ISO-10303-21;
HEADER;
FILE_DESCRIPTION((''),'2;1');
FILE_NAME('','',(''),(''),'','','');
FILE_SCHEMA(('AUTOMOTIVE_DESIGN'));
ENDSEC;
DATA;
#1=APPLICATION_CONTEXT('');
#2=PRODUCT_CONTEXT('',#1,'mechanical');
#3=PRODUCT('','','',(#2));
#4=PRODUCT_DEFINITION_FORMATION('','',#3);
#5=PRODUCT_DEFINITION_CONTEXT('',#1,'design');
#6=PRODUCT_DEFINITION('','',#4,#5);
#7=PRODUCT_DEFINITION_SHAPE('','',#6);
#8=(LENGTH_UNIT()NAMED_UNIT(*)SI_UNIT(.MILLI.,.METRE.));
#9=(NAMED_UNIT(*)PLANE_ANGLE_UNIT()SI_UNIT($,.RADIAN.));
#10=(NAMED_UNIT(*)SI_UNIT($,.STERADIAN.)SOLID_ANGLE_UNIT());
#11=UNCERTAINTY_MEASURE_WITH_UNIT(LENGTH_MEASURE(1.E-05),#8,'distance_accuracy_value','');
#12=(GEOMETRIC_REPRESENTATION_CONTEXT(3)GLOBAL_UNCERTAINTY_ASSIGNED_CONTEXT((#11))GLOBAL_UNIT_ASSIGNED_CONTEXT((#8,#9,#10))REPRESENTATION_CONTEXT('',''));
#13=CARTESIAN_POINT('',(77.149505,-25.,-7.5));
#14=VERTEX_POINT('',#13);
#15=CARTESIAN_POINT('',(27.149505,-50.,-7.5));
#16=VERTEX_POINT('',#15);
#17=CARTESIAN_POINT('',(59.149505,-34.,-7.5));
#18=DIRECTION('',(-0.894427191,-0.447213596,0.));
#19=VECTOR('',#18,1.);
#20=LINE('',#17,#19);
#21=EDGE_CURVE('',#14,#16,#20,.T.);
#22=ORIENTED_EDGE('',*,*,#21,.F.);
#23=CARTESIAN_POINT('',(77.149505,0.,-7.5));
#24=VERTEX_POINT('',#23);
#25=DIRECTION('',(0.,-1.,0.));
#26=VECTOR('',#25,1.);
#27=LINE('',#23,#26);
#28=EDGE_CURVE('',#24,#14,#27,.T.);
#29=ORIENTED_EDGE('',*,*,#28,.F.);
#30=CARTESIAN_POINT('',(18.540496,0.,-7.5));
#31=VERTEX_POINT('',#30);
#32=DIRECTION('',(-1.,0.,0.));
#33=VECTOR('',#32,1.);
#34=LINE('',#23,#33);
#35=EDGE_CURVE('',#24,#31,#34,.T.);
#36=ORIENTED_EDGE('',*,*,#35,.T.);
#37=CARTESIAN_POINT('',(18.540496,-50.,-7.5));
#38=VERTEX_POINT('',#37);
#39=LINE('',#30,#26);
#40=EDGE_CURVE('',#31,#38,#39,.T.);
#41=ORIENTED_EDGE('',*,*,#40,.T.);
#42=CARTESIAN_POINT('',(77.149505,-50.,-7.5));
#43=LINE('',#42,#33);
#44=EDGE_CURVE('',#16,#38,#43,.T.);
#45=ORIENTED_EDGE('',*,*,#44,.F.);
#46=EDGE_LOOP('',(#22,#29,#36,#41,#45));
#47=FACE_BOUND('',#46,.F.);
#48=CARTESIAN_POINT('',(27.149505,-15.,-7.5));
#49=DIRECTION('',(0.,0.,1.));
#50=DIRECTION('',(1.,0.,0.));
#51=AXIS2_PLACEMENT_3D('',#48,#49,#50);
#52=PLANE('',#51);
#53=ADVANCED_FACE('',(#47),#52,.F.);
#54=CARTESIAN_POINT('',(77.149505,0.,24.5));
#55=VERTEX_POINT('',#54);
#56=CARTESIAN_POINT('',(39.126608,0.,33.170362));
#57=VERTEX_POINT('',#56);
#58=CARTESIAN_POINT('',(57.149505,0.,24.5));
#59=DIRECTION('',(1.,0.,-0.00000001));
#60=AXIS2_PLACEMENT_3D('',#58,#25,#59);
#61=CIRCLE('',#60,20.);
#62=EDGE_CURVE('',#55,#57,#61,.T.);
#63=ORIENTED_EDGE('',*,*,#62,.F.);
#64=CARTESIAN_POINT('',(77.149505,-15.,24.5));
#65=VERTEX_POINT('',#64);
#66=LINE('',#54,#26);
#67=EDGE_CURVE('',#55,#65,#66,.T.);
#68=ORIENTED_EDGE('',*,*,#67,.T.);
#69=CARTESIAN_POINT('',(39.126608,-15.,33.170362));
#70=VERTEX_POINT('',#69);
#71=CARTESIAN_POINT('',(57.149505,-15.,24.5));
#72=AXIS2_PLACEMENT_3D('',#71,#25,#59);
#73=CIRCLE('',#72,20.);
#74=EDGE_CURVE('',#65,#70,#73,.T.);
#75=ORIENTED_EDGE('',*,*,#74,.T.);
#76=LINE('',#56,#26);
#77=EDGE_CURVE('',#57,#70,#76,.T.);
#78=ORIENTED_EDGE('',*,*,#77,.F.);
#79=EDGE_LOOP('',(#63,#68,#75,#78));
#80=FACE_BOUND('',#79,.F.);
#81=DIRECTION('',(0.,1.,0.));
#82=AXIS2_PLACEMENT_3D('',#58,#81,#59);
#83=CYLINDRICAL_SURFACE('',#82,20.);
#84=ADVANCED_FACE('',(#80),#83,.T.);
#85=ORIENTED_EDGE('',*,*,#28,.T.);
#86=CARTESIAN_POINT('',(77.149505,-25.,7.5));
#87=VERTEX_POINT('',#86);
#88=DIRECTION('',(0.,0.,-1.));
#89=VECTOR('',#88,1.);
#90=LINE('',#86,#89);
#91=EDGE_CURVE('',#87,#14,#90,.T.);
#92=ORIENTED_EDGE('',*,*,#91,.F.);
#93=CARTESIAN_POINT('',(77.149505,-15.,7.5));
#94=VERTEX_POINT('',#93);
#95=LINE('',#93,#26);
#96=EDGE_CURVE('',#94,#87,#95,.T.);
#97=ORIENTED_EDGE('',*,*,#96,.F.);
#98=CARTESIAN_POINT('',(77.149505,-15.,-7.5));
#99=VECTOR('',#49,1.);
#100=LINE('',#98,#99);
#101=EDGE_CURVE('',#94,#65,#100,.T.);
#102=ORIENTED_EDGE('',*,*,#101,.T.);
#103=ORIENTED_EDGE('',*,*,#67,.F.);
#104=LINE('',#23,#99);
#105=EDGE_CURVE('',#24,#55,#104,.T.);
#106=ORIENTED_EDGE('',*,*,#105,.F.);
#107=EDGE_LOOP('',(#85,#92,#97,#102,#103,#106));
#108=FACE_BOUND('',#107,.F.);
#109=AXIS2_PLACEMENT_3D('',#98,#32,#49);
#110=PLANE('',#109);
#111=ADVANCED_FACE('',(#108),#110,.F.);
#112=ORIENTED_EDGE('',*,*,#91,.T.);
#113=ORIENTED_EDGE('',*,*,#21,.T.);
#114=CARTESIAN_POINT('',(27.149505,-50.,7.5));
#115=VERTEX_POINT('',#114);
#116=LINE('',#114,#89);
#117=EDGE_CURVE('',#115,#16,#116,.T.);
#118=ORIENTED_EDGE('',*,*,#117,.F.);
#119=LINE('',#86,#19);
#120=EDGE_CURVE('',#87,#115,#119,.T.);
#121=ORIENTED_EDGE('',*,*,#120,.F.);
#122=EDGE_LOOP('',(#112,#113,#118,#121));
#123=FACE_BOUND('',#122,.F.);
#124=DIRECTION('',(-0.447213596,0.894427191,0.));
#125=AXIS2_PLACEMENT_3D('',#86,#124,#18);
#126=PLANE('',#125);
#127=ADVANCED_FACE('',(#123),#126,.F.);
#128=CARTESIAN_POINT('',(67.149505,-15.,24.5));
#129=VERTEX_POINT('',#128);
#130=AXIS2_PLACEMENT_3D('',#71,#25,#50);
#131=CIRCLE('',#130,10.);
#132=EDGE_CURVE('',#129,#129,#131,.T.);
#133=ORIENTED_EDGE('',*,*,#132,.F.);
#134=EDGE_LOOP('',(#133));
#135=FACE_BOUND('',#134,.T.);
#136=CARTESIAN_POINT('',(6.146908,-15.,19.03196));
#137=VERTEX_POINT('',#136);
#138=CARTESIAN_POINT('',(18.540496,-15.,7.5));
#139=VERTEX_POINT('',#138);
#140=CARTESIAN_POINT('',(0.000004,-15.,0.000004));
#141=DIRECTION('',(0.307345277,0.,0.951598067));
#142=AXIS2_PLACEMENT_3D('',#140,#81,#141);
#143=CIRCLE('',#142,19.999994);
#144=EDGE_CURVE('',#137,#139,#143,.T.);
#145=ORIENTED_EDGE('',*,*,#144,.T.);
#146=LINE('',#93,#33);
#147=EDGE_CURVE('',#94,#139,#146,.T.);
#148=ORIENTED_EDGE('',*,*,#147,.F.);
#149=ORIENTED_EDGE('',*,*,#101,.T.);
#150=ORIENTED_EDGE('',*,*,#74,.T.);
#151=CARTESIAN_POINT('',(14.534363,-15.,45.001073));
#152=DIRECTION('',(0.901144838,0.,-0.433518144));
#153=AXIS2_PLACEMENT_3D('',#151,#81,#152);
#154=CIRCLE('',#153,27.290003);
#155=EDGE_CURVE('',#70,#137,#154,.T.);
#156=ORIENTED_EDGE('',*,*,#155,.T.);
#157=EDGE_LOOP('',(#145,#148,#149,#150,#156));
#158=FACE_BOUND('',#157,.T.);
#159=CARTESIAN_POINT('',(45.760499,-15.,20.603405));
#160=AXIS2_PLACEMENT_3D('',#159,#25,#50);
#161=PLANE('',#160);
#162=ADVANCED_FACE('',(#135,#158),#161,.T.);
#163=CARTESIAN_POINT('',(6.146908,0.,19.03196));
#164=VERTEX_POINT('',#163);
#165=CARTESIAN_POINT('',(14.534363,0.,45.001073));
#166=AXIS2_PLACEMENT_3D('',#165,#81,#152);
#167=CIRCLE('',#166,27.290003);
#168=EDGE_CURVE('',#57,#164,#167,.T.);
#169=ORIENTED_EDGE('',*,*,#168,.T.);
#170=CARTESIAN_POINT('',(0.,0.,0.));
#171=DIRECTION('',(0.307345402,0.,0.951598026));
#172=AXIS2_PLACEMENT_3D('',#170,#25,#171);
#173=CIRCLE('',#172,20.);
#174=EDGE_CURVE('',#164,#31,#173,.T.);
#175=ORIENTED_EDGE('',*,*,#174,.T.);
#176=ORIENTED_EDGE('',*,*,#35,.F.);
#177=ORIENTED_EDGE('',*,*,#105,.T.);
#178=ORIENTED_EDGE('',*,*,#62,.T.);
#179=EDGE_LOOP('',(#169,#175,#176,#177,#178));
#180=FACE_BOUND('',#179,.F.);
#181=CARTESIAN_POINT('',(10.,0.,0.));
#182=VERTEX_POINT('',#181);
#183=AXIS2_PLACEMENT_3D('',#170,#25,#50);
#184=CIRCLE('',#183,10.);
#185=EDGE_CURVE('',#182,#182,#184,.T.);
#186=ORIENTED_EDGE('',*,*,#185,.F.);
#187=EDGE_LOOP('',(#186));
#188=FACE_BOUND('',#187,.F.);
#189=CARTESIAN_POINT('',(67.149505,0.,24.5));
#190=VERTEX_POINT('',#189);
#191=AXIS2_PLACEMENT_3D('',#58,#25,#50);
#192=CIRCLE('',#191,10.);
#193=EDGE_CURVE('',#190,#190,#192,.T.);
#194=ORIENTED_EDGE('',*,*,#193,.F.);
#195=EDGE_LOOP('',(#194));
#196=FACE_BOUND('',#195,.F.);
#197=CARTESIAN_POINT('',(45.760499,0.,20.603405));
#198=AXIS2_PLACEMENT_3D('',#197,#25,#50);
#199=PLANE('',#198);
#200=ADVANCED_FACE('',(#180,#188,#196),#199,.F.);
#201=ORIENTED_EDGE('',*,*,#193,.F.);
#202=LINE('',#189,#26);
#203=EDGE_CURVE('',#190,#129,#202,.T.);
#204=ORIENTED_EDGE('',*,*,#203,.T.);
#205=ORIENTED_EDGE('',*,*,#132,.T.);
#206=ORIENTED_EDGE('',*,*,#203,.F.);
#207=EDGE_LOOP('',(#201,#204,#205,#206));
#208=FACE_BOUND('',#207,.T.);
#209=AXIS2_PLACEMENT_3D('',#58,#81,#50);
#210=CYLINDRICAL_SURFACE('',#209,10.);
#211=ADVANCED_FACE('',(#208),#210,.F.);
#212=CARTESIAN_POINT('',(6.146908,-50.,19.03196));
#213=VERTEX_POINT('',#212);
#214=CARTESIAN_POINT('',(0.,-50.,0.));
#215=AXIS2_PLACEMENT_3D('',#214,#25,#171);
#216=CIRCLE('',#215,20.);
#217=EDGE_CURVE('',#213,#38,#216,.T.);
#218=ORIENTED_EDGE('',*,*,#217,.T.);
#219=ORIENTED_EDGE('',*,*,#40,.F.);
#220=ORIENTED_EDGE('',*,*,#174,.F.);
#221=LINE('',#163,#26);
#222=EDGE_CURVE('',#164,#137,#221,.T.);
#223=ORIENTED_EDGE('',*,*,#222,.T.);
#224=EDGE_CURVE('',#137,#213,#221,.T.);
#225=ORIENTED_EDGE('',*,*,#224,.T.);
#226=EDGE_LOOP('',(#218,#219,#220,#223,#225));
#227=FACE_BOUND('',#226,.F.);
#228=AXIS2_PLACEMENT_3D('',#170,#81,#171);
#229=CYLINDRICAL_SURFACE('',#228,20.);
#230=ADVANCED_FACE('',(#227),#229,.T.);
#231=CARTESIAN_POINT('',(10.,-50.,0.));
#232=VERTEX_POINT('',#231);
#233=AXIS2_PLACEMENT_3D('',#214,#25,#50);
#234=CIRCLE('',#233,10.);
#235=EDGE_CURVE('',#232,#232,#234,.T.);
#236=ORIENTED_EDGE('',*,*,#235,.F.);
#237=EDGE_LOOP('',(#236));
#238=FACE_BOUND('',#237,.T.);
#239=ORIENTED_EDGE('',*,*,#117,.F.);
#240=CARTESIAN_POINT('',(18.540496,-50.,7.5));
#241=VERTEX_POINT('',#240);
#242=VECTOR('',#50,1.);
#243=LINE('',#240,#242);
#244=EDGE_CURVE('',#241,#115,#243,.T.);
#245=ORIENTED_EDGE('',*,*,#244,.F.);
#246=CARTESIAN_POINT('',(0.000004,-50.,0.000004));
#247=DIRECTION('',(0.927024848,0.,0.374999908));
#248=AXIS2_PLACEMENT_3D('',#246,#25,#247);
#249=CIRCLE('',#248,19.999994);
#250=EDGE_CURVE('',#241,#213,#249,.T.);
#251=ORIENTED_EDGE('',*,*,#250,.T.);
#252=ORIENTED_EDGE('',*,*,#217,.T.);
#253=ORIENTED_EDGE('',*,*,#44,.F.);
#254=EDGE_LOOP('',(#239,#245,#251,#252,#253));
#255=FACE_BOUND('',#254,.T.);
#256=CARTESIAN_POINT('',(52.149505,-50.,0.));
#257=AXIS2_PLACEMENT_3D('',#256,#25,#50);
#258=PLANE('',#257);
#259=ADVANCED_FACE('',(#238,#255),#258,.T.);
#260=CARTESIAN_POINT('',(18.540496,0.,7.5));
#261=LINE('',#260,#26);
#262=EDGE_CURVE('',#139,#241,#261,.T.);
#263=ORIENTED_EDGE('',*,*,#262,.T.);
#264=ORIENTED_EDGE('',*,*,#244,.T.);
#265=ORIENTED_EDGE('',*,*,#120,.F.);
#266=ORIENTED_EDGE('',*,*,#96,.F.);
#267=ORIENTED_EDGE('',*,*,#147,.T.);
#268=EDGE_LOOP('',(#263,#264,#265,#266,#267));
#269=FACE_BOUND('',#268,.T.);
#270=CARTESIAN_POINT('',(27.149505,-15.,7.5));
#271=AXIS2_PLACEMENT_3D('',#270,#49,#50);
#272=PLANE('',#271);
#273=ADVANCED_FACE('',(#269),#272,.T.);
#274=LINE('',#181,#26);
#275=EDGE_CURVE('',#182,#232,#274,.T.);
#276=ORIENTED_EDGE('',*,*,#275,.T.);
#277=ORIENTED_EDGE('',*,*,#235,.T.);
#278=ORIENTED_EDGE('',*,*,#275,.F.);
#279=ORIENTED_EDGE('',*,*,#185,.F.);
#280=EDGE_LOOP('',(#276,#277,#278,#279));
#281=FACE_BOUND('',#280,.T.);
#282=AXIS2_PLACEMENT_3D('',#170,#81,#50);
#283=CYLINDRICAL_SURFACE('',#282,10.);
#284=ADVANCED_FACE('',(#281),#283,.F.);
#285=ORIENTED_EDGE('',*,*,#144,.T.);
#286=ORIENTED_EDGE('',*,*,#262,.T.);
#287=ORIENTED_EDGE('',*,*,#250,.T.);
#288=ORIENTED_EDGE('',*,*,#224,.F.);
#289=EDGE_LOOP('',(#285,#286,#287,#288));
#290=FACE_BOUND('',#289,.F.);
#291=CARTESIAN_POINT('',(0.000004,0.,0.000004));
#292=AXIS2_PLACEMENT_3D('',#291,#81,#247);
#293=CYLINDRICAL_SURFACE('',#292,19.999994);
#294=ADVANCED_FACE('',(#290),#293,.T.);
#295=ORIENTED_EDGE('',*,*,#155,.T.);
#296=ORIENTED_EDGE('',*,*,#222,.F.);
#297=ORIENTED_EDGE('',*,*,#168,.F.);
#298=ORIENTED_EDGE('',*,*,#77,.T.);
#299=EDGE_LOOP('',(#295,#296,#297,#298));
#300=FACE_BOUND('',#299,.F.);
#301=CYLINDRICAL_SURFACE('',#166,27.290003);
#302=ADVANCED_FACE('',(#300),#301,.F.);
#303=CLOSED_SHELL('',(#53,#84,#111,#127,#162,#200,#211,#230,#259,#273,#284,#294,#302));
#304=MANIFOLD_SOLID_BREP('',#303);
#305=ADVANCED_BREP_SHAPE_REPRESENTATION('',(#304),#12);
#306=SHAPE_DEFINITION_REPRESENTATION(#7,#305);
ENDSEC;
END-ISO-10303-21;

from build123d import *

# Parameters (mm, degrees)
F0_R     = 10
F1_DEPTH = 50
F0_W     = 50
F0_H     = 15
F2_DEPTH = 15
F3_W     = 50
F3_H     = 15
F4_DEPTH = 35
F6_DEPTH = 27.501
F8_DEPTH = 257.5


with BuildPart() as f1:
    # F0 (on Front) → F1 (new body)
    with BuildSketch(Plane.XZ):
        with BuildLine():
            ThreePointArc((18.540496, 7.5), (13.624005, 14.641943), (6.146908, 19.03196))
            ThreePointArc((6.146908, 19.03196), (-18.120519, -8.464442), (18.540496, -7.5))
            ThreePointArc((18.540496, -7.5), (19.631734, -3.820345), (20, 0))
            ThreePointArc((20, 0), (19.631734, 3.820345), (18.540496, 7.5))
        make_face()
        Circle(F0_R, mode=Mode.SUBTRACT)
        with BuildLine():
            Line((27.149505, -7.5), (27.149505, 7.5))
            Line((27.149505, 7.5), (18.540496, 7.5))
            ThreePointArc((18.540496, 7.5), (19.631734, 3.820345), (20, 0))
            ThreePointArc((20, 0), (19.631734, -3.820345), (18.540496, -7.5))
            Line((18.540496, -7.5), (27.149505, -7.5))
        make_face()
    extrude(amount=F1_DEPTH)

    # F0 (on Front) → F2 (join)
    with BuildSketch(Plane.XZ):
        with BuildLine():
            Line((77.149505, 7.5), (77.149505, 24.5))
            ThreePointArc((77.149505, 24.5), (61.595967, 43.999461), (39.126608, 33.170362))
            ThreePointArc((39.126608, 33.170362), (25.287149, 19.918772), (6.146908, 19.03196))
            ThreePointArc((6.146908, 19.03196), (13.624005, 14.641943), (18.540496, 7.5))
            Line((18.540496, 7.5), (27.149505, 7.5))
            Line((27.149505, 7.5), (77.149505, 7.5))
        make_face()
        with Locations((57.149505, 24.5)):
            Circle(F0_R, mode=Mode.SUBTRACT)
        with Locations((52.149505, 0)):
            Rectangle(F0_W, F0_H)
    extrude(amount=F2_DEPTH)

    # F3 (on face) → F4 (join)
    with BuildSketch(Plane.XZ.offset(15)):
        with Locations((52.149505, 0)):
            Rectangle(F3_W, F3_H)
    extrude(amount=F4_DEPTH)

    # F5 (on face) → F6 (join, through all)
    with BuildSketch(Plane.XY.offset(7.5)):
        Polygon((77.149505, -25), (27.149505, -50), (77.149505, -50), align=None)
    extrude(amount=-F6_DEPTH)

    # F7 (on face) → F8 (cut)
    with BuildSketch(Plane.XY.offset(7.5)):
        Polygon((77.149505, -25), (27.149505, -50), (77.149505, -50), align=None)
    extrude(amount=-F8_DEPTH, mode=Mode.SUBTRACT)


solid = f1.part
